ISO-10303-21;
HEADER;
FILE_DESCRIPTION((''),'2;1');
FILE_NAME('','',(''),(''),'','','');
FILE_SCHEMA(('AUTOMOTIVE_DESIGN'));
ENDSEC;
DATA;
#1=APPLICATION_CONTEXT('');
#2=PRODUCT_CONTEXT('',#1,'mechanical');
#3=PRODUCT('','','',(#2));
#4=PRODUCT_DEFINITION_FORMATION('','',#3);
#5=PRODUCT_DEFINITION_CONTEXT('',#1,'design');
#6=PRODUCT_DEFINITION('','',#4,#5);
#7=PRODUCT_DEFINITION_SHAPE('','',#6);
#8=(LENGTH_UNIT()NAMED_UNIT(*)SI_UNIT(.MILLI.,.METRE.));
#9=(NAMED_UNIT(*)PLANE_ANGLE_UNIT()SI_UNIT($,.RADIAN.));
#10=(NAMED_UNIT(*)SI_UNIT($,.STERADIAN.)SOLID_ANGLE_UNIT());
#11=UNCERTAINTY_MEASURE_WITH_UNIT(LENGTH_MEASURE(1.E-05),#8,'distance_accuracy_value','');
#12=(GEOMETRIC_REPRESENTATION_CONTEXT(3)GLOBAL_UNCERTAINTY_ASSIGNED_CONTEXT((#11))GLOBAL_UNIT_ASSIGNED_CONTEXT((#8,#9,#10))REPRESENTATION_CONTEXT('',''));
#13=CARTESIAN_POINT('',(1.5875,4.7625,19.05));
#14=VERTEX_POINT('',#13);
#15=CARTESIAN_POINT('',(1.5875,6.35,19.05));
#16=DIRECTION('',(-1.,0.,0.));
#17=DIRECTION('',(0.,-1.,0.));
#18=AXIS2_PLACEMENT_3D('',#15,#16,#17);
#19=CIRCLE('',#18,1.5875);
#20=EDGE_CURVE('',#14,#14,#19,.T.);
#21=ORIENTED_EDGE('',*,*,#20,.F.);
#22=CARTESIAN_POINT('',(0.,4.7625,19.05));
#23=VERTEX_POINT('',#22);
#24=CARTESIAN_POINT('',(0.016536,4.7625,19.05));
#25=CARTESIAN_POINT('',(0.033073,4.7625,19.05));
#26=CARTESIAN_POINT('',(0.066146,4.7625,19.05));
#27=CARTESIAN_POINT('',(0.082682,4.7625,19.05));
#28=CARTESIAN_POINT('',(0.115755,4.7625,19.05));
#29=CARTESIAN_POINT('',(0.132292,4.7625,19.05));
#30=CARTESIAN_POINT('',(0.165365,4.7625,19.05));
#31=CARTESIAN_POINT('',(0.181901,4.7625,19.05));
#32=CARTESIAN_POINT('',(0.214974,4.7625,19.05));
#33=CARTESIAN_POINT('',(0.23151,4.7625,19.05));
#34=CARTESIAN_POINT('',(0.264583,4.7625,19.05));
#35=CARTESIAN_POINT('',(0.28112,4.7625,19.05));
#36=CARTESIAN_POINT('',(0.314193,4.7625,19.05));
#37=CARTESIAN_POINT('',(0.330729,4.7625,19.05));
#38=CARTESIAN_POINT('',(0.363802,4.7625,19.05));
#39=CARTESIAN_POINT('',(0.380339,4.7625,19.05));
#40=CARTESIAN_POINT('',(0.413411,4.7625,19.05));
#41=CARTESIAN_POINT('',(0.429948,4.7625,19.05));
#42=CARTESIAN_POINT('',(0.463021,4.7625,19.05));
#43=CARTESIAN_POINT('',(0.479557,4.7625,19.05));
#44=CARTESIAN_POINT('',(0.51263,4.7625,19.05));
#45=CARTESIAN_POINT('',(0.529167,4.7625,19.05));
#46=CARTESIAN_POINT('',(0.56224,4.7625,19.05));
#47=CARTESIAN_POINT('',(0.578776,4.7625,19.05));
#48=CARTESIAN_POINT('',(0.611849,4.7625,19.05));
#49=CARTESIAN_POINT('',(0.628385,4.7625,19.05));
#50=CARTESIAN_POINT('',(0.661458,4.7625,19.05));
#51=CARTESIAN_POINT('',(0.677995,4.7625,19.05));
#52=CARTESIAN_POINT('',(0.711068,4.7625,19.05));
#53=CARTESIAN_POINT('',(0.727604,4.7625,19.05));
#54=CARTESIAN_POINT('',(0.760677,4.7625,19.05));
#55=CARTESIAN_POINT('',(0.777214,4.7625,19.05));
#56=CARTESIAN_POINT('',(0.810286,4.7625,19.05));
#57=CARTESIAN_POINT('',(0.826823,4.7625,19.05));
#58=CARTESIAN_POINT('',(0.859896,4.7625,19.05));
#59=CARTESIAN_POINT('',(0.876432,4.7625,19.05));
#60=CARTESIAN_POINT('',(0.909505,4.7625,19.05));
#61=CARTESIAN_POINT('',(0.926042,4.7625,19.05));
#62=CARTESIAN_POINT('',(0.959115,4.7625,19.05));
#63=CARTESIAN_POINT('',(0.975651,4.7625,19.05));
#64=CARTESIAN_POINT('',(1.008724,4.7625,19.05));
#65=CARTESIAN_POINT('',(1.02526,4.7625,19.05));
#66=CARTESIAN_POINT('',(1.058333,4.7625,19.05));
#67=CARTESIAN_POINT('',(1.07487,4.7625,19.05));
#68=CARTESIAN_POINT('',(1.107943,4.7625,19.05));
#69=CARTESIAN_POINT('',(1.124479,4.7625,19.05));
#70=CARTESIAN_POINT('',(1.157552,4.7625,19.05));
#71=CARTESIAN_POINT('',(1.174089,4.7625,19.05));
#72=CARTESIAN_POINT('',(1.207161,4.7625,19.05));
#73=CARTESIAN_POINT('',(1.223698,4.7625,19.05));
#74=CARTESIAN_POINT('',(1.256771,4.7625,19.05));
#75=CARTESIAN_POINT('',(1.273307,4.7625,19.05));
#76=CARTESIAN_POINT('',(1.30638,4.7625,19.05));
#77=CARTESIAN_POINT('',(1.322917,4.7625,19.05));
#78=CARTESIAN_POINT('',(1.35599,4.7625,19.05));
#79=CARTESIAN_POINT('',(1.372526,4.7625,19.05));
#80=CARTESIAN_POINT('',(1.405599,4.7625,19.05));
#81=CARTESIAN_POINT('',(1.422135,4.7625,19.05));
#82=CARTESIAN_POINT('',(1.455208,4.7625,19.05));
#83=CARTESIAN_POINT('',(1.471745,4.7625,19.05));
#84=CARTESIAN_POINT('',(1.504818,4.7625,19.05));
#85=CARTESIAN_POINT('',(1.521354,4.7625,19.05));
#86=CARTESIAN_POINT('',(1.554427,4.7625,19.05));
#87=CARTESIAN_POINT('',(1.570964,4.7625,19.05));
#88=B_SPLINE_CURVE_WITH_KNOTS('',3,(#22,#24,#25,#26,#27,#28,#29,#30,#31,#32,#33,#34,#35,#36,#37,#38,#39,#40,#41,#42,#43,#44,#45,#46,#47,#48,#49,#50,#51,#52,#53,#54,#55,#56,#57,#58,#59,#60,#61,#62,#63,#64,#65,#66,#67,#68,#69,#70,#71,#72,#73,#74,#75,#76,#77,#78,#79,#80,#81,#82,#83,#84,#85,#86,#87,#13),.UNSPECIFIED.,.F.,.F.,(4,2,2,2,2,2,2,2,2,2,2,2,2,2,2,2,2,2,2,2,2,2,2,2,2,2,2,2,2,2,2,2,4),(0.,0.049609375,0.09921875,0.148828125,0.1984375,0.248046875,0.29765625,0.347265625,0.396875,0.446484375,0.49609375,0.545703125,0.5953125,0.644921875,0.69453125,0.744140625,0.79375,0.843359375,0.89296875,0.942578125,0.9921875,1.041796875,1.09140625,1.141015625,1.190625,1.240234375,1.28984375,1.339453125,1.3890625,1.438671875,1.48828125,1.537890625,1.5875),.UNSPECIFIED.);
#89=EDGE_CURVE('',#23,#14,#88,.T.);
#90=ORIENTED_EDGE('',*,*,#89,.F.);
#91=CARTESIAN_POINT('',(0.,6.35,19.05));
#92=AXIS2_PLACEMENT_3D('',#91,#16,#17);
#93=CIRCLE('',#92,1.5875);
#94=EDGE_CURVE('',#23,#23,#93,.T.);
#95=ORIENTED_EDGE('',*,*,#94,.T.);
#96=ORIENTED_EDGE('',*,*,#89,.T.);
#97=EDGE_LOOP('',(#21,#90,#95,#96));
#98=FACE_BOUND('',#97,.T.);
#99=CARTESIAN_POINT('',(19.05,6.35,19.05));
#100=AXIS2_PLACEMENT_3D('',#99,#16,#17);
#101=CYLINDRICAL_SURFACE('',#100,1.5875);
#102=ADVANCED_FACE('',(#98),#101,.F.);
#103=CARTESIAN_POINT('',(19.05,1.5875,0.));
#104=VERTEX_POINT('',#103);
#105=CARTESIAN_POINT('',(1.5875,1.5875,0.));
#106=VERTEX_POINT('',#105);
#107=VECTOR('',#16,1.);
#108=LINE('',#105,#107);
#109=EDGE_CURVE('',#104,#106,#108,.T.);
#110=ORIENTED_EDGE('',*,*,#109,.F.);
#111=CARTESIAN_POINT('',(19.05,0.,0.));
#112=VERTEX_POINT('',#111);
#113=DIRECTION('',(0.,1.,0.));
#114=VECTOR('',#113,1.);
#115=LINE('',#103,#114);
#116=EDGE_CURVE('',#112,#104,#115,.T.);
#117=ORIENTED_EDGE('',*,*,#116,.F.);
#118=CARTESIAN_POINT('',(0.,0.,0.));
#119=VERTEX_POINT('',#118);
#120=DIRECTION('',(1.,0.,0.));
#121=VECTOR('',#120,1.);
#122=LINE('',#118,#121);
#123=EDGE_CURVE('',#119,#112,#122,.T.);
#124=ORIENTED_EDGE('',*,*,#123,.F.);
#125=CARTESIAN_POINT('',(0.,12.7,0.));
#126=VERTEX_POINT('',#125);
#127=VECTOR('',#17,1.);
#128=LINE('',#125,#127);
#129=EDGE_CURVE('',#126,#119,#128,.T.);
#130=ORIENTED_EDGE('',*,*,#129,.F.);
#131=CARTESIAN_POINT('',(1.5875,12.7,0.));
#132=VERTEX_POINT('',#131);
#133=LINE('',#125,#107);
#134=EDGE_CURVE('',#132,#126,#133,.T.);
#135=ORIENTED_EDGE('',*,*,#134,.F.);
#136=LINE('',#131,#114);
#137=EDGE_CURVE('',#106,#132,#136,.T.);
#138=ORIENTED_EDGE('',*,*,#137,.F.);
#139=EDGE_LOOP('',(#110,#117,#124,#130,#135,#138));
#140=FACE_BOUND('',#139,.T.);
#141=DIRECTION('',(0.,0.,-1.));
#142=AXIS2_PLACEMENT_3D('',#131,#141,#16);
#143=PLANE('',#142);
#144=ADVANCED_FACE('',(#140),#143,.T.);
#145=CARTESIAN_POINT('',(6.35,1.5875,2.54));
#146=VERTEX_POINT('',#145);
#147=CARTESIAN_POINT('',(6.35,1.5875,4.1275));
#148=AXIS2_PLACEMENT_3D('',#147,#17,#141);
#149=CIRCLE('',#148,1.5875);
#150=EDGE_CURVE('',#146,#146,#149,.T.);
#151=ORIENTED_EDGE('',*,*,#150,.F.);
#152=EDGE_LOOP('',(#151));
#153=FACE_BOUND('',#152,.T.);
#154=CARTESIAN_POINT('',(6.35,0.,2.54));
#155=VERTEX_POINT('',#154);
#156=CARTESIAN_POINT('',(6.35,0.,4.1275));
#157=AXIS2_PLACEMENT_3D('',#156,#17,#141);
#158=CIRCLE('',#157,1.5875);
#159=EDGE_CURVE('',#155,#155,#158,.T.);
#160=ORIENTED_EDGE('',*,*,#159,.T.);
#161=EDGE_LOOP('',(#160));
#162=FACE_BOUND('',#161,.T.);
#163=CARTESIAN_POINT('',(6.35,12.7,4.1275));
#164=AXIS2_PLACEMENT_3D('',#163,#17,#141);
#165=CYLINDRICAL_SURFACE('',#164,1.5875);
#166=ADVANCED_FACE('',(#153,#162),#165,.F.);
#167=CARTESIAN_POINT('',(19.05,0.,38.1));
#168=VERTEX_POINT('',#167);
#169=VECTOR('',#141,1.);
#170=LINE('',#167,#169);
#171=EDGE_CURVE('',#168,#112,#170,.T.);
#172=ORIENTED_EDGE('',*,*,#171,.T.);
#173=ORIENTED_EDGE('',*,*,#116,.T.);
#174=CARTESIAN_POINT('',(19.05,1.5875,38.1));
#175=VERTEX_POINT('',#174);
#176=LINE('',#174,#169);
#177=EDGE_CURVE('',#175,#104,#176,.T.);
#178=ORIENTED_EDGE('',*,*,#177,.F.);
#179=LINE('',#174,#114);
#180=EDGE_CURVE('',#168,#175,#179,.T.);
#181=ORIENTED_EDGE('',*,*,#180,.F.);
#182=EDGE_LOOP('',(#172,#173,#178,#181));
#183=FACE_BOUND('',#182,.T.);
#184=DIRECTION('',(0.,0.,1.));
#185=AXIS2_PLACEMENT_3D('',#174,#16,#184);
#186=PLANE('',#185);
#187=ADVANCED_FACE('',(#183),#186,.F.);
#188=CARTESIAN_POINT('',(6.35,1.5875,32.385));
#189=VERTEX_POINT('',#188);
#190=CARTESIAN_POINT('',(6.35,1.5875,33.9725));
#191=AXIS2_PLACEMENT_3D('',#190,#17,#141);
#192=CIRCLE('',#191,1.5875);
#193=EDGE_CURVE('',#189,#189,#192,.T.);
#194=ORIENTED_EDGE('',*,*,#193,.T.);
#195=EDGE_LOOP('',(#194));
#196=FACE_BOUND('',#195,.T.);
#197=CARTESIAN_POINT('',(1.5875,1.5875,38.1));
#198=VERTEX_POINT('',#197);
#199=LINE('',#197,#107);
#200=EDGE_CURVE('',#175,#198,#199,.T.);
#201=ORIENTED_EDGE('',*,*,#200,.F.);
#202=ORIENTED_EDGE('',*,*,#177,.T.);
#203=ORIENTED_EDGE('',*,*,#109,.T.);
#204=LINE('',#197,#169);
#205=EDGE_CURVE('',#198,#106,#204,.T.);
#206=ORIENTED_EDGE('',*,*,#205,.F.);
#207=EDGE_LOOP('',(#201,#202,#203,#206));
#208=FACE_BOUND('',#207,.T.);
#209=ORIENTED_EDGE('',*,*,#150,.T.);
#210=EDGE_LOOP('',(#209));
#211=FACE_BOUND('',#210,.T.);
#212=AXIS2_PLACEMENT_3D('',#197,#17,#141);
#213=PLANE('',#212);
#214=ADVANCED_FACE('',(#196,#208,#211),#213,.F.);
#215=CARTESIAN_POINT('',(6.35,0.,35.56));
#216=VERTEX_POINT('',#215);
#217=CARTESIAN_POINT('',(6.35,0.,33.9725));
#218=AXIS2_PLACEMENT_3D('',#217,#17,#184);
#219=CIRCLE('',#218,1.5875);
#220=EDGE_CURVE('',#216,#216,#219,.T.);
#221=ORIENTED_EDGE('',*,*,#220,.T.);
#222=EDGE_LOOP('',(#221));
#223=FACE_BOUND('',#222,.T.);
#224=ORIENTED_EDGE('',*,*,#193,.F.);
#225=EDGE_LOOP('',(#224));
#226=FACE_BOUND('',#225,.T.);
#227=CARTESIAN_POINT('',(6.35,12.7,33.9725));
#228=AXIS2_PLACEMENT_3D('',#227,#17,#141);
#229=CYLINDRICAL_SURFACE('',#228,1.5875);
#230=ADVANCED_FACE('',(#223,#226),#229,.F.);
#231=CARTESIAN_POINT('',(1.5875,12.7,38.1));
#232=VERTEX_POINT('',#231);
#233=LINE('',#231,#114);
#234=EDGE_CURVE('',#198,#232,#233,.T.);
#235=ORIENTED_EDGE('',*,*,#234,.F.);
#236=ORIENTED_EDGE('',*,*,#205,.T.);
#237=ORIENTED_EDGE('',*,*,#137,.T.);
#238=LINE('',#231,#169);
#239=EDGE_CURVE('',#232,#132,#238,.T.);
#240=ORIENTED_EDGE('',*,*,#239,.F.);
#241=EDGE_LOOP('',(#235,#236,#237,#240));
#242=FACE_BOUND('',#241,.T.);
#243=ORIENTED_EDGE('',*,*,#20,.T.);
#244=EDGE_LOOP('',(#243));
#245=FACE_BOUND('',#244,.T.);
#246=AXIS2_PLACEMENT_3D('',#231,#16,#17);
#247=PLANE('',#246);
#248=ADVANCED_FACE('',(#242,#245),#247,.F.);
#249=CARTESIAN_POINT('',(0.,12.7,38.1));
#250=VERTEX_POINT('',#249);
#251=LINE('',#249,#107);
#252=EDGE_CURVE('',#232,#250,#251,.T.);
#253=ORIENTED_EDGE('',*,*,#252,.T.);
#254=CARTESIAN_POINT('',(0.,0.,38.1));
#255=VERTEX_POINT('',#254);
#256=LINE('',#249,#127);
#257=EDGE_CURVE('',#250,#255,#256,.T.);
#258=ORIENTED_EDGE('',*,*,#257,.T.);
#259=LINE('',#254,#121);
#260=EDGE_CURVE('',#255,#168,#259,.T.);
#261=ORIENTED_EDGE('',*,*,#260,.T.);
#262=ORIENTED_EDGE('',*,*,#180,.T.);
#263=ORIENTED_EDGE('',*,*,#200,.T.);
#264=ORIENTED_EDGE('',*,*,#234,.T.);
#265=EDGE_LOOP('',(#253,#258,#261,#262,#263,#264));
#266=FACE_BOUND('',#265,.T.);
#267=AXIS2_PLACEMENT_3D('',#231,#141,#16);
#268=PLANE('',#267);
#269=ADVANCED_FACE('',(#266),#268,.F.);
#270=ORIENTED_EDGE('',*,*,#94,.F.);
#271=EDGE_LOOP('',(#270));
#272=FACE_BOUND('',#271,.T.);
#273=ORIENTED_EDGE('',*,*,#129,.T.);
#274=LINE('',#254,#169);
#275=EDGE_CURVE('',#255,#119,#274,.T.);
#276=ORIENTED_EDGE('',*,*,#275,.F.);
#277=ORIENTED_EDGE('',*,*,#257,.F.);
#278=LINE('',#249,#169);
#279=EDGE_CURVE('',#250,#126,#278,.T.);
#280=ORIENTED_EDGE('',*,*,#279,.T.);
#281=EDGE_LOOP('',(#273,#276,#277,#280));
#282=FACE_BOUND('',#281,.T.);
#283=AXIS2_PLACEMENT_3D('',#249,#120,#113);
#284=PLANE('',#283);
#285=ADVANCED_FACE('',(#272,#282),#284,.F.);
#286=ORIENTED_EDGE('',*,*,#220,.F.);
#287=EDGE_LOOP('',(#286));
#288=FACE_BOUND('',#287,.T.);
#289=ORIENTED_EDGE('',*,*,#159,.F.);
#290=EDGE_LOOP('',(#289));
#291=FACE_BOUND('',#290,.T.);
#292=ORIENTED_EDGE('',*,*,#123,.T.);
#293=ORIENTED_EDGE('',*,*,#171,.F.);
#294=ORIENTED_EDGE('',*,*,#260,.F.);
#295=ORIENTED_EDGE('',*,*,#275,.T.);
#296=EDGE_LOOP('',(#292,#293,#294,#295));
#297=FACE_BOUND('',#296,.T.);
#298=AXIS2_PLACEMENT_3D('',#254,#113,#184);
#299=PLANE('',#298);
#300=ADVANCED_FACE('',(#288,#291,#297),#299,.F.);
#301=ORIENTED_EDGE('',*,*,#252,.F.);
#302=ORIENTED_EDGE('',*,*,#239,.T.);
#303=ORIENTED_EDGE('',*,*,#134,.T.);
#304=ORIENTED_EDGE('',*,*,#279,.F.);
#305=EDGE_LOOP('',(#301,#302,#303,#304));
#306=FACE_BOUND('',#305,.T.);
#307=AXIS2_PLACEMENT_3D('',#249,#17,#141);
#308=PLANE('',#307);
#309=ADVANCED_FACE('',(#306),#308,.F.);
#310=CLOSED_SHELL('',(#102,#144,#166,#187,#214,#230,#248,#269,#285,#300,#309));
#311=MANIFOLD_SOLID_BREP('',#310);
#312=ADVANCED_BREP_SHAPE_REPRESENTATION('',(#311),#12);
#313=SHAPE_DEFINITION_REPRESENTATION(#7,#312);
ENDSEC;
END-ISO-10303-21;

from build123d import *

# Parameters (mm, degrees)
BOSS_EXTRUDE1_DEPTH = 38.1
SKETCH2_R           = 1.5875
CUT_EXTRUDE1_DEPTH  = 45.45
SKETCH3_R           = 1.5875
CUT_EXTRUDE2_DEPTH  = 45.45


with BuildPart() as part:
    # Sketch1 → Boss-Extrude1 (new body)
    with BuildSketch(Plane.XY):
        Polygon((0, 12.7), (0, 0), (19.05, 0), (19.05, 1.5875), (1.5875, 1.5875), (1.5875, 12.7), align=None)
    extrude(amount=BOSS_EXTRUDE1_DEPTH)

    # Sketch2 → Cut-Extrude1 (cut, through all)
    with BuildSketch(Plane.ZY):
        with Locations(Location((19.05, 6.35, 0), (0, 0, 270))):
            Circle(SKETCH2_R)
    extrude(amount=-CUT_EXTRUDE1_DEPTH, mode=Mode.SUBTRACT)

    # Sketch3 → Cut-Extrude2 (cut, through all)
    with BuildSketch(Plane.XZ):
        with Locations(Location((6.35, 4.1275, 0), (0, 0, 270))):
            Circle(SKETCH3_R)
        with Locations(Location((6.35, 33.9725, 0), (0, 0, 270))):
            Circle(SKETCH3_R)
    extrude(amount=-CUT_EXTRUDE2_DEPTH, mode=Mode.SUBTRACT)


solid = part.part
